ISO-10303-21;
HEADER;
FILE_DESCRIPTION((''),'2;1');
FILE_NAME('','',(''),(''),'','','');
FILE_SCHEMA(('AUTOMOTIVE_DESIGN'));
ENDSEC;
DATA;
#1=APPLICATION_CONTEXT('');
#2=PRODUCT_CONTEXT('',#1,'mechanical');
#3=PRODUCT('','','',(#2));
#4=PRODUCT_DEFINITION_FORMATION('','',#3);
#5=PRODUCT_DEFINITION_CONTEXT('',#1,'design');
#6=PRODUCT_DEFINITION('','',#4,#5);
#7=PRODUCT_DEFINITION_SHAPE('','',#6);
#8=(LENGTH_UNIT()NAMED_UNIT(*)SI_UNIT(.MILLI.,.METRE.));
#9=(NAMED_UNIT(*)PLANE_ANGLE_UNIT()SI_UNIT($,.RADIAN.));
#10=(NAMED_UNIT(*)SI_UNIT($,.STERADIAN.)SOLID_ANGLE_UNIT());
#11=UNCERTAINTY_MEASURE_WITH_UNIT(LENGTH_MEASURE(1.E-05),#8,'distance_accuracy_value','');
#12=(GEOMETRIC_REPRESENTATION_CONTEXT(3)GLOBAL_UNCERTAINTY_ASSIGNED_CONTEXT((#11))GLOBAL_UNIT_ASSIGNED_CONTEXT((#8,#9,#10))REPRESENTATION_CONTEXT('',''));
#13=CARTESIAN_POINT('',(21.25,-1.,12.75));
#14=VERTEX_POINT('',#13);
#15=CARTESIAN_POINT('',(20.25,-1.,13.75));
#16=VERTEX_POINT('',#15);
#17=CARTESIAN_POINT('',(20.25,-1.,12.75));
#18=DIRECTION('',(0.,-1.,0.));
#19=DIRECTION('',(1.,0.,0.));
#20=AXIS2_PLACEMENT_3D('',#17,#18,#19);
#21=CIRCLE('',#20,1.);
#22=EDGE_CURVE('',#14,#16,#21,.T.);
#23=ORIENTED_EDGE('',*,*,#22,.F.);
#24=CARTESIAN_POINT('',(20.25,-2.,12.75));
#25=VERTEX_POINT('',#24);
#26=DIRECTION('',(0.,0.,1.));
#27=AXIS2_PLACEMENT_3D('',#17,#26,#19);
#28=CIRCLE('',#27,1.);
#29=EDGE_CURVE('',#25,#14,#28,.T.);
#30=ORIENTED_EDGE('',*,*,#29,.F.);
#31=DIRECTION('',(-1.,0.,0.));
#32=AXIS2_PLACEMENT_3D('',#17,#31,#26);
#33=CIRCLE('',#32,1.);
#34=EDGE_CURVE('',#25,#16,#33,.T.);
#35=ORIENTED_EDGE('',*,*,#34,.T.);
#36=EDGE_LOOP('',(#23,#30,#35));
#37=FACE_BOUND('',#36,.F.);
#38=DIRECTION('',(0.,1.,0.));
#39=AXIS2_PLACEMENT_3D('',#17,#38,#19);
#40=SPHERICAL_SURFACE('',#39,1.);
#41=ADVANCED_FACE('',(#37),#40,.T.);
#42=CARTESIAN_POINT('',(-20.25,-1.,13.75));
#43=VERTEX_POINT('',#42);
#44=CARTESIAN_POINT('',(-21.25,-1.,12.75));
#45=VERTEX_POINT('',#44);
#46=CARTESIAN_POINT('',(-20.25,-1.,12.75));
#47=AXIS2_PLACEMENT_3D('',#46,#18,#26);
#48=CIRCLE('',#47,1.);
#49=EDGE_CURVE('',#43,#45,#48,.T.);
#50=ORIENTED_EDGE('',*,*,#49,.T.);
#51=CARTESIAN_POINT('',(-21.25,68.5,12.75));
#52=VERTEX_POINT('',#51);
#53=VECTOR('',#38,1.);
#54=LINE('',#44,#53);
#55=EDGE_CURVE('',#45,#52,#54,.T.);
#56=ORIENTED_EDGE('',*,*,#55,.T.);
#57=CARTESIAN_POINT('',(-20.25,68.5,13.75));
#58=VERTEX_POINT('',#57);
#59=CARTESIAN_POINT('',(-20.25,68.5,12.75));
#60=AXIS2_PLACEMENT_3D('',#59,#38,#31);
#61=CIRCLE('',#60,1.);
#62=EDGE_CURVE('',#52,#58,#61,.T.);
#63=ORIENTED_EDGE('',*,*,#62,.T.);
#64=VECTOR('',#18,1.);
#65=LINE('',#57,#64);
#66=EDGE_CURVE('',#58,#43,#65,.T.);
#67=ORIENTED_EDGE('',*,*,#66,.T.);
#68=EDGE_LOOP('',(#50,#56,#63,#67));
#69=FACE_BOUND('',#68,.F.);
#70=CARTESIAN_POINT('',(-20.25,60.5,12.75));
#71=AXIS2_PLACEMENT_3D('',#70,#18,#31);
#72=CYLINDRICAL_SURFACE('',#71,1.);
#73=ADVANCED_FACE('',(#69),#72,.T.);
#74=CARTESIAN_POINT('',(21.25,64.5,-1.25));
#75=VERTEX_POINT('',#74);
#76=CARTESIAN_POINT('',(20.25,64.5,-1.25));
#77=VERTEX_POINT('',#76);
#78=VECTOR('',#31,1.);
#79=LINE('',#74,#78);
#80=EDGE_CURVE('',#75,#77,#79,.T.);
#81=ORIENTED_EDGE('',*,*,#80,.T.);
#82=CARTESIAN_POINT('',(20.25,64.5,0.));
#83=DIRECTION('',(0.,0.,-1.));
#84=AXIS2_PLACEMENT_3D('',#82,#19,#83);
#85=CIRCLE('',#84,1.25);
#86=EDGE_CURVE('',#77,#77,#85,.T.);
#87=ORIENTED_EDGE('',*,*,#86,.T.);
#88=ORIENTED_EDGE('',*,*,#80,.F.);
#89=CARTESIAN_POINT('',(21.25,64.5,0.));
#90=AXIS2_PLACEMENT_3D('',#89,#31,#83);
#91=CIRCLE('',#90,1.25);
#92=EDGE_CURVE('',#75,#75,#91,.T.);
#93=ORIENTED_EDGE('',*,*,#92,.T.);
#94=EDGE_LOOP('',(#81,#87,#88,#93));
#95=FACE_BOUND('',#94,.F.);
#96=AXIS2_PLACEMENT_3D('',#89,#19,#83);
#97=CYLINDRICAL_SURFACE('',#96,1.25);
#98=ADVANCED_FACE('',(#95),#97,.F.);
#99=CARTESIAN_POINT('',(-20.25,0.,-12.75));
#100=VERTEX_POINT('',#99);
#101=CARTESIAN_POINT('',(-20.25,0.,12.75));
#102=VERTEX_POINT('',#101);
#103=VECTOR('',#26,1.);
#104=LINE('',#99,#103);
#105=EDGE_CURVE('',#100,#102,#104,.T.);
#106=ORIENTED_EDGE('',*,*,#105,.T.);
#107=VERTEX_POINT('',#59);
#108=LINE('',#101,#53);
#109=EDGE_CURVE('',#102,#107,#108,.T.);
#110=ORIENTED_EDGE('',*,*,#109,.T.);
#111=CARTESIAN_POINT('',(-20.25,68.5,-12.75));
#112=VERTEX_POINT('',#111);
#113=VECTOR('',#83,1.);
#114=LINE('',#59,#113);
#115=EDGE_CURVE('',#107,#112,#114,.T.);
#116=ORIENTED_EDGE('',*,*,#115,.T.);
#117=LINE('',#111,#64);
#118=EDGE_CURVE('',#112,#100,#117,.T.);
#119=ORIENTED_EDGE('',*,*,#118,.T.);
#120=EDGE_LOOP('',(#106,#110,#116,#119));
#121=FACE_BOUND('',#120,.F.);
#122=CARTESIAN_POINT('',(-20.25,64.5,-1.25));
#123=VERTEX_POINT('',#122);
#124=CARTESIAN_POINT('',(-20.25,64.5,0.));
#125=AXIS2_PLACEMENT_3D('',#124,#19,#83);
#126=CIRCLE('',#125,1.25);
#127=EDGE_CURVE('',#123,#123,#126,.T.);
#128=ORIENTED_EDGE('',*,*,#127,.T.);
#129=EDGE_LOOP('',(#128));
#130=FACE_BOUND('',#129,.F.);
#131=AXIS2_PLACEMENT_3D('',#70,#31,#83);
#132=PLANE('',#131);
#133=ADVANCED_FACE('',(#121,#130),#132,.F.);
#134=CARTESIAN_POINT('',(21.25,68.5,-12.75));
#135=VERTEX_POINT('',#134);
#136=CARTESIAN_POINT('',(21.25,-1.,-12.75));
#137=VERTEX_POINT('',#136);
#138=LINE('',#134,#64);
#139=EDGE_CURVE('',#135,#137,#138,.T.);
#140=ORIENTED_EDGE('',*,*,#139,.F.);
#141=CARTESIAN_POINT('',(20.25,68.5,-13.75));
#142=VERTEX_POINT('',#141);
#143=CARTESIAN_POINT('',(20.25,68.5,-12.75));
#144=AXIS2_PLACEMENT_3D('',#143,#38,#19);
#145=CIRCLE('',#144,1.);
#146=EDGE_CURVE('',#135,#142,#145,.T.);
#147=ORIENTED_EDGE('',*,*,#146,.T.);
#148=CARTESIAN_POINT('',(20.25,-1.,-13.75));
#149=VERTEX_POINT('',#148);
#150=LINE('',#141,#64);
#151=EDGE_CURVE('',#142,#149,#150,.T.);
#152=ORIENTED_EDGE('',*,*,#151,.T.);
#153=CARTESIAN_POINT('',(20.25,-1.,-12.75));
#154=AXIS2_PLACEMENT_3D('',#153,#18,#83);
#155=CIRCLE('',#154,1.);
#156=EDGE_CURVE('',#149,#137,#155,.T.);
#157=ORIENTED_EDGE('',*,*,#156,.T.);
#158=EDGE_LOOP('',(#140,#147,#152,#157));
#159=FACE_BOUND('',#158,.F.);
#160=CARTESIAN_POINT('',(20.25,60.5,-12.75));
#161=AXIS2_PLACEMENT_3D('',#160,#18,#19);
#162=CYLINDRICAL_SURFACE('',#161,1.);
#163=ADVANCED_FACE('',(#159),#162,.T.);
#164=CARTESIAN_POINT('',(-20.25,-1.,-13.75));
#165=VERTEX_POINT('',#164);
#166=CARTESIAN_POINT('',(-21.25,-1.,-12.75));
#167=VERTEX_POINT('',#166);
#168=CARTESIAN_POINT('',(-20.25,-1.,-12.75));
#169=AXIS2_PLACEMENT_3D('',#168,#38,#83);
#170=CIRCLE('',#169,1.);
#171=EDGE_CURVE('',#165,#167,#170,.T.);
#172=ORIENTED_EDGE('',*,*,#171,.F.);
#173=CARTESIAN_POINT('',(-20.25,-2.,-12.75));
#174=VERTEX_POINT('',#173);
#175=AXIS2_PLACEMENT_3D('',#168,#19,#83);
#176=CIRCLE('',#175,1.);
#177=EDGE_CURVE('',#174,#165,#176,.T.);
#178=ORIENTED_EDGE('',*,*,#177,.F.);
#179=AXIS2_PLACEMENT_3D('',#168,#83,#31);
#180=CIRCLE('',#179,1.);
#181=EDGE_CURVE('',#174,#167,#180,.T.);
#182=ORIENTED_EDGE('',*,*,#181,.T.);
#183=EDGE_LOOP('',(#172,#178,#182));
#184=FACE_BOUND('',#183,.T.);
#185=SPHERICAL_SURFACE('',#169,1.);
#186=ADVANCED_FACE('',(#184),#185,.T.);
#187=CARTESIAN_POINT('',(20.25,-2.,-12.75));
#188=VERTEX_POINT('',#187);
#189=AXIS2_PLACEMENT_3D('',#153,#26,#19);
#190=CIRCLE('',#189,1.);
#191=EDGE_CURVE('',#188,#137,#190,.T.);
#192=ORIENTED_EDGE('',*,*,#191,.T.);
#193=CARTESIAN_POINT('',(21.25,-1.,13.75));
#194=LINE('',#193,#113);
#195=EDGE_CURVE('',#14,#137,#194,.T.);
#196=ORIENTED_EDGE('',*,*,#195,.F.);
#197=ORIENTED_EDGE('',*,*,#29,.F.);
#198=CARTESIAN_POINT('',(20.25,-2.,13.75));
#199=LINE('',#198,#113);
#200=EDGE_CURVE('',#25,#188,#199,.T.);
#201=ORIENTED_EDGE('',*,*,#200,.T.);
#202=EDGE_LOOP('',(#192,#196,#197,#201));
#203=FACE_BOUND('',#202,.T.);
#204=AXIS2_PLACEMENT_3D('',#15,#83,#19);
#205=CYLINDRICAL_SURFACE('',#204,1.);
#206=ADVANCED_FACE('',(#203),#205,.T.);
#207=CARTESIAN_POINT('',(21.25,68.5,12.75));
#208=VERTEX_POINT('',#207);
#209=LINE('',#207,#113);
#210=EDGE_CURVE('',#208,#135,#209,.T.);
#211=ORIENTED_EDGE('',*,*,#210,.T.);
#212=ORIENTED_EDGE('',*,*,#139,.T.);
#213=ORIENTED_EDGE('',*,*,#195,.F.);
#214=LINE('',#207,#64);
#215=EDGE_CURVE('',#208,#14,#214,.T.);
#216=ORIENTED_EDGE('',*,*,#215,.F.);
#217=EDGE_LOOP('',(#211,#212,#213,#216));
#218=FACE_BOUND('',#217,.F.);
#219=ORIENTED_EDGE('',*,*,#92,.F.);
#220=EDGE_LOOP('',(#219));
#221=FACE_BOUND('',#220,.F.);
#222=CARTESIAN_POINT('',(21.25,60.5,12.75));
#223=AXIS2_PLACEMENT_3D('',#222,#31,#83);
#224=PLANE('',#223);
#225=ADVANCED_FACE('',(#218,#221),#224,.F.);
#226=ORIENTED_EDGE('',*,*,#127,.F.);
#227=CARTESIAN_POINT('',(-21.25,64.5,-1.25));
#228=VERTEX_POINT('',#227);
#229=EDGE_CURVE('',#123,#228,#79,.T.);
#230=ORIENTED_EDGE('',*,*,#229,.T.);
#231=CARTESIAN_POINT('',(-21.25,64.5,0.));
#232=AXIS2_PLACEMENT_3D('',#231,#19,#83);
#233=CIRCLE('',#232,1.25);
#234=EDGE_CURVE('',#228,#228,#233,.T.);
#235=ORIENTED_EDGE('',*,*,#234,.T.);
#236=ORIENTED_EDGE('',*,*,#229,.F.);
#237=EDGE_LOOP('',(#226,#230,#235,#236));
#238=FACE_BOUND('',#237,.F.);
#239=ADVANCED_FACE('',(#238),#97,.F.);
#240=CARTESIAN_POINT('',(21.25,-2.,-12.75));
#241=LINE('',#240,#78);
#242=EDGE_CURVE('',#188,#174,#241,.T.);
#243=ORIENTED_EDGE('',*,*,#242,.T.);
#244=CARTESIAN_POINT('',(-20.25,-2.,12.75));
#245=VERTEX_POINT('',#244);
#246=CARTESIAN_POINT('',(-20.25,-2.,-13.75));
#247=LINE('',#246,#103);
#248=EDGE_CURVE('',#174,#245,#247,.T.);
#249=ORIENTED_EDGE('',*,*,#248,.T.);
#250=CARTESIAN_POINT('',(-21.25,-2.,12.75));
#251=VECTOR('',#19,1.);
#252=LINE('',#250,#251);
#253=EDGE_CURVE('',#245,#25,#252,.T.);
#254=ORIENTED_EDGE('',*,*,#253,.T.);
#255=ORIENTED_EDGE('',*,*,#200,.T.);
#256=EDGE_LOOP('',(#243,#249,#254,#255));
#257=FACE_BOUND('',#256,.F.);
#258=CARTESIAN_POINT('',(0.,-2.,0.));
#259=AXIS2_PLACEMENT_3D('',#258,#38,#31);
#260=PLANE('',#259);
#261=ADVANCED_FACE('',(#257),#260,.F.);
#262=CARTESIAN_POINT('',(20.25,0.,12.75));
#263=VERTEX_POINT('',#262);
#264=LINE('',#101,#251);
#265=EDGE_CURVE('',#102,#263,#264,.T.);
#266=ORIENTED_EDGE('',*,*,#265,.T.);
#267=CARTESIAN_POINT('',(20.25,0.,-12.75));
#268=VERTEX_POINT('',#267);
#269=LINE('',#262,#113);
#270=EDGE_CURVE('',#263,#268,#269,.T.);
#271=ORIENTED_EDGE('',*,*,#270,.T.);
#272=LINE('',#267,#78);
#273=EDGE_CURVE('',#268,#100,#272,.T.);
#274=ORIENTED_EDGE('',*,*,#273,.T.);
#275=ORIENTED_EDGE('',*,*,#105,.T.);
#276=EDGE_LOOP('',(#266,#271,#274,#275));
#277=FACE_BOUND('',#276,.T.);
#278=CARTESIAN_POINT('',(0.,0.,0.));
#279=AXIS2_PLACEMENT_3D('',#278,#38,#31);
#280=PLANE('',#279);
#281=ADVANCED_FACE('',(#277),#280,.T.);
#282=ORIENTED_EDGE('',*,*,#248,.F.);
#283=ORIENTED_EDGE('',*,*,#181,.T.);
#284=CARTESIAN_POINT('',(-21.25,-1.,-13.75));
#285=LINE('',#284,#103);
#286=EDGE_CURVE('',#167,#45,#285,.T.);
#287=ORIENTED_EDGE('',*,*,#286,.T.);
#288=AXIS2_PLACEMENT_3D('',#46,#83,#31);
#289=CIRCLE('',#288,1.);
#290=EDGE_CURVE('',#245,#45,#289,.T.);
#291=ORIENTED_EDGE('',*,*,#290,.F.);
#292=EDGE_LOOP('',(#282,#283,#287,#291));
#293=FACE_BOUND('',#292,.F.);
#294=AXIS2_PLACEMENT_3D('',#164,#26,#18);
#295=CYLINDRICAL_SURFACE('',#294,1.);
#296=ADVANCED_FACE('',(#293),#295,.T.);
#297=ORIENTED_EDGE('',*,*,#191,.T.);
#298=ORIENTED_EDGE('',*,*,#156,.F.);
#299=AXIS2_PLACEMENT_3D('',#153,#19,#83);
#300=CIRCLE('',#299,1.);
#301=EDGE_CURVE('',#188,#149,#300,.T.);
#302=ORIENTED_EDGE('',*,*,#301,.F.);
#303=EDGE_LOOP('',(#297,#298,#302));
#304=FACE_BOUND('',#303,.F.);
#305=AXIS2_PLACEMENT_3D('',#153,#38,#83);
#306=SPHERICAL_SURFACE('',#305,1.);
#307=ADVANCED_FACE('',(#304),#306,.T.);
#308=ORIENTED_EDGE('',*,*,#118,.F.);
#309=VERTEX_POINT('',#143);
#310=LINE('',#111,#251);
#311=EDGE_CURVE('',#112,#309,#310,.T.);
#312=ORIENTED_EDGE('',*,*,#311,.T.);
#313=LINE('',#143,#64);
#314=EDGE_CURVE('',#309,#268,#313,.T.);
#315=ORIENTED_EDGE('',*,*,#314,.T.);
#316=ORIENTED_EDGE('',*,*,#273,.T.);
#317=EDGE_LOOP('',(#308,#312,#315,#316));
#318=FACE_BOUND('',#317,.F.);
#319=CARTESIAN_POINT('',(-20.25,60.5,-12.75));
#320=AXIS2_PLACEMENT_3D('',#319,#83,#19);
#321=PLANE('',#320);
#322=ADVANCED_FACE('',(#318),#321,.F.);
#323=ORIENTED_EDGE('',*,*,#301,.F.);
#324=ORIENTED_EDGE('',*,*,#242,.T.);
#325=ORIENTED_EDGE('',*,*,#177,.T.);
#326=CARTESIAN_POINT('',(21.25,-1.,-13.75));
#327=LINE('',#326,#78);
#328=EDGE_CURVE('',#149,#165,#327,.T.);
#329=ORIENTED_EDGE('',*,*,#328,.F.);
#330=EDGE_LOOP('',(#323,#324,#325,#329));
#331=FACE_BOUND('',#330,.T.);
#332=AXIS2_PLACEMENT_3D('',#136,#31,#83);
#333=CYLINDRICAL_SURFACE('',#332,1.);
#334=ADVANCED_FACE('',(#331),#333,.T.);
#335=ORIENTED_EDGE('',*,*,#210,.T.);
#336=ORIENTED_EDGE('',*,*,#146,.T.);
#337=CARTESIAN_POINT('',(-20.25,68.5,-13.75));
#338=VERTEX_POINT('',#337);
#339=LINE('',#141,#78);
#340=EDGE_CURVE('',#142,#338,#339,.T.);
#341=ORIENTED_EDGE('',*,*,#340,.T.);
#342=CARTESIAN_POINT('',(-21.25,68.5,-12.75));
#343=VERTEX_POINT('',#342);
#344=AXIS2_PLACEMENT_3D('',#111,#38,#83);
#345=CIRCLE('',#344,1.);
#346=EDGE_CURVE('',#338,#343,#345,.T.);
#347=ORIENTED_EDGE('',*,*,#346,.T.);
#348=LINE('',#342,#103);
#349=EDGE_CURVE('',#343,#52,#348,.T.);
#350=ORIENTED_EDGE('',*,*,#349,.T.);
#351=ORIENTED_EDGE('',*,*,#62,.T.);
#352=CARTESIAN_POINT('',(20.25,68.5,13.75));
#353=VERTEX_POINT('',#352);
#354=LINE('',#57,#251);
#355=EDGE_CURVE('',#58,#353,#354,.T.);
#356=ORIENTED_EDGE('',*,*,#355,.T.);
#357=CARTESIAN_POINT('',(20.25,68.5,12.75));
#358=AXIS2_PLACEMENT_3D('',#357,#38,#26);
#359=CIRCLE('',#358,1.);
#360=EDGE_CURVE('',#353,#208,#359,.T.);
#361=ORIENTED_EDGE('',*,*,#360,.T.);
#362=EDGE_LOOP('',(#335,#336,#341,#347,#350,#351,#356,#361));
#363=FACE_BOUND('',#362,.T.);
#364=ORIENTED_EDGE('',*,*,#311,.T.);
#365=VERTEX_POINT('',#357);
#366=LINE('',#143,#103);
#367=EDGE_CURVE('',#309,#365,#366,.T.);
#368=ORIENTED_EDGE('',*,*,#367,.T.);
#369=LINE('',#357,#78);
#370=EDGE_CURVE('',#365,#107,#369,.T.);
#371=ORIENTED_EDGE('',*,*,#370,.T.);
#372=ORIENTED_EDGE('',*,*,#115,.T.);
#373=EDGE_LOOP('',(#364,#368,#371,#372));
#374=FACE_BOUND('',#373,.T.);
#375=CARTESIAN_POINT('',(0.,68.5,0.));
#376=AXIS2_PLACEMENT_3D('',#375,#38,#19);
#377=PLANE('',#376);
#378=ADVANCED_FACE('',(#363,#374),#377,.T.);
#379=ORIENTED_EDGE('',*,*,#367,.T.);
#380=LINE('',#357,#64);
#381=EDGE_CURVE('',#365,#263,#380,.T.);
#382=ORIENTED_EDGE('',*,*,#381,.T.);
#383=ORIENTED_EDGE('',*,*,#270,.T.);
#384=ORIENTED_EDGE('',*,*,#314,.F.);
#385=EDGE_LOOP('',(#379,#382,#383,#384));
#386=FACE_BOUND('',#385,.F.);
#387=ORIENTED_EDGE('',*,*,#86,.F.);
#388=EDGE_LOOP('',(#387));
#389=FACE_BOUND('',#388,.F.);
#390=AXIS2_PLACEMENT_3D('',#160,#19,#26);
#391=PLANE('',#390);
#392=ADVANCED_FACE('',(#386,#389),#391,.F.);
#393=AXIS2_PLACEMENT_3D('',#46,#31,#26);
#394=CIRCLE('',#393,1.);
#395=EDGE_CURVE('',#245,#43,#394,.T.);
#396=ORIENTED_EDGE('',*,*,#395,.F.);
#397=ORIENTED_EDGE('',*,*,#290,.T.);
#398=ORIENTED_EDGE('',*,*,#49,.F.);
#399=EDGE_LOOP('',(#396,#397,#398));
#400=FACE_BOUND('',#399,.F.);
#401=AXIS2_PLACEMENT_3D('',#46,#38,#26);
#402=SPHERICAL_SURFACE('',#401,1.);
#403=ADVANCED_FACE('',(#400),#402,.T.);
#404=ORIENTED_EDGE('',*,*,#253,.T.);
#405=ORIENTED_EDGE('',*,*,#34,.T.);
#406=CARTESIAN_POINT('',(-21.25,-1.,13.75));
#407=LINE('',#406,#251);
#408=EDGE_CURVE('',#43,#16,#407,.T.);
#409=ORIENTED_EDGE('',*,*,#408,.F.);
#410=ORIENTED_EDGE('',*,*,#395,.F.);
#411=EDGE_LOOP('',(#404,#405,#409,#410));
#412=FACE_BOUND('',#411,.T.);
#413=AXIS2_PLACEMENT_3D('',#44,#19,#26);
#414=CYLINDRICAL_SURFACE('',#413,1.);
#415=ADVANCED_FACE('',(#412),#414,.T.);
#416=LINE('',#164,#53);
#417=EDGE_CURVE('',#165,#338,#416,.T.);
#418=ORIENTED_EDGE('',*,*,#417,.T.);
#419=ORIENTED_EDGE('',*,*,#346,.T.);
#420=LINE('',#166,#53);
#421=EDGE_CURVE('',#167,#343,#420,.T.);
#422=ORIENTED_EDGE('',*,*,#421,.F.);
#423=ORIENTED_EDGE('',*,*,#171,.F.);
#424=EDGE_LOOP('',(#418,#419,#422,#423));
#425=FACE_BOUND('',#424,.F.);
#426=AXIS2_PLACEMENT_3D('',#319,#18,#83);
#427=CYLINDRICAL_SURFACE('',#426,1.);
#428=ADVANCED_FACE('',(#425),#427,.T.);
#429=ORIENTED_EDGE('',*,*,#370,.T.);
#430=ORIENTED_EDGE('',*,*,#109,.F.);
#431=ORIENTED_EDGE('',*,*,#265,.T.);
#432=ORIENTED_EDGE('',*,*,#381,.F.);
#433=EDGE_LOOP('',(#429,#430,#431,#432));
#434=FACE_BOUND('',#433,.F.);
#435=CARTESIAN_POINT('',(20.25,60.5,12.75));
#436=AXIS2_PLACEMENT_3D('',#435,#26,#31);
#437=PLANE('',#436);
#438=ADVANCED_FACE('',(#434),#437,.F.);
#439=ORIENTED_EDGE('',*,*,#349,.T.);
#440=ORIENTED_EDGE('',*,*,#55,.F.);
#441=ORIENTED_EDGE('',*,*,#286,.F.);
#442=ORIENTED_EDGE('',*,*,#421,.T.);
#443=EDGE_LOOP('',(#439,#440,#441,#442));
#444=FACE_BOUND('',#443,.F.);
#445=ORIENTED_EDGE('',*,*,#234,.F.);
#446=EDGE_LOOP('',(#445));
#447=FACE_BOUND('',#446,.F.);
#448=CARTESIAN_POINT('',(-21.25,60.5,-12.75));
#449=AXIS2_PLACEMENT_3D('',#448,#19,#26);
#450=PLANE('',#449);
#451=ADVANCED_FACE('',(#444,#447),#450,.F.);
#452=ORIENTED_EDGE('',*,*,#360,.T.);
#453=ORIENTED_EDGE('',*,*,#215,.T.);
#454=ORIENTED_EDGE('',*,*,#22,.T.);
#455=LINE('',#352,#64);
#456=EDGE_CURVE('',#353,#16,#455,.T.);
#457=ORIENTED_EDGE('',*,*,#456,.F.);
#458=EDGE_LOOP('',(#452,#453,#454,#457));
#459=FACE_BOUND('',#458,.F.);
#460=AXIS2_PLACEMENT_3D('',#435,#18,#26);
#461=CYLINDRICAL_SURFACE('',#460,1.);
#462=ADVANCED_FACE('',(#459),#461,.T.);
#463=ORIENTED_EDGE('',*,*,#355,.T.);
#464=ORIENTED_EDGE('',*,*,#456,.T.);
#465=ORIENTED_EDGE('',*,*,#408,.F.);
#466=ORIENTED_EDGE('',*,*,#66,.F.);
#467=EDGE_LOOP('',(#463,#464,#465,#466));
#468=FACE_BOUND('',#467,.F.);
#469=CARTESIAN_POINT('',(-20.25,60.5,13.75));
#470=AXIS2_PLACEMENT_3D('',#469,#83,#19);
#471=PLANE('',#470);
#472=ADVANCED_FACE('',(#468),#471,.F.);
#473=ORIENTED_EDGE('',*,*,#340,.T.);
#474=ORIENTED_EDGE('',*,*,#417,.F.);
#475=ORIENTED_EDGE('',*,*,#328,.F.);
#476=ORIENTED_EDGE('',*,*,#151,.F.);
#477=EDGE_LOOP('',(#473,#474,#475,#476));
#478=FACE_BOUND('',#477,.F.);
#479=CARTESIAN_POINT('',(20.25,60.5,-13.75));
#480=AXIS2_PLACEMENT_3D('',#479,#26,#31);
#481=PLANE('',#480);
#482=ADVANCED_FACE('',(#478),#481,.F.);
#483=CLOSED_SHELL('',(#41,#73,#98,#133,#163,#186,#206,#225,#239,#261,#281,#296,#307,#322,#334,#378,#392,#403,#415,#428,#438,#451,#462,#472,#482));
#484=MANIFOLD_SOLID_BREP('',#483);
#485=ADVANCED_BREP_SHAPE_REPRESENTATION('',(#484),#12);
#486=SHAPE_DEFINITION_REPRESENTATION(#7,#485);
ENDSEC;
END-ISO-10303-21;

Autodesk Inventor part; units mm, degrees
ref_plane "YZ Plane" through (0, 0, 0) normal (1, 0, 0) x (0, 1, 0)
ref_plane "XZ Plane" through (0, 0, 0) normal (0, 1, 0) x (-1, 0, 0)
ref_plane "XY Plane" through (0, 0, 0) normal (0, 0, 1) x (1, 0, 0)
sketch "Sketch2" plane through (0, 0, 0) normal (0, 1, 0) x (-1, 0, 0)
  line L0 (-21.25, -13.75) -> (21.25, -13.75)
  line L1 (21.25, -13.75) -> (21.25, 13.75)
  line L2 (21.25, 13.75) -> (-21.25, 13.75)
  line L3 (-21.25, 13.75) -> (-21.25, -13.75)
  line L4 (-21.25, -13.75) -> (21.25, 13.75) construction
  line L5 (21.25, -13.75) -> (-21.25, 13.75) construction
  point P0 (0, 0)
  dimension "d2" = 42.5
  dimension "d3" = 27.5
extrude "Extrusion1" add sketch "Sketch2" against normal blind 2
sketch "Sketch3" plane through (0, 0, 0) normal (0, 1, 0) x (1, 0, 0)
  line L0 (21.25, -13.75) -> (-21.25, -13.75) projected
  line L1 (-21.25, 13.75) -> (21.25, 13.75) projected
  line L2 (-21.25, -13.75) -> (21.25, -13.75)
  line L3 (21.25, -13.75) -> (21.25, 13.75)
  line L4 (21.25, 13.75) -> (-21.25, 13.75)
  line L5 (-21.25, 13.75) -> (-21.25, -13.75)
  line L6 (-20.25, -12.75) -> (20.25, -12.75) projected
  line L7 (-20.25, 12.75) -> (-20.25, -12.75) projected
  line L8 (20.25, 12.75) -> (-20.25, 12.75) projected
  line L9 (20.25, -12.75) -> (20.25, 12.75) projected
  line L10 (-20.25, -12.75) -> (20.25, -12.75)
  line L11 (20.25, -12.75) -> (20.25, 12.75)
  line L12 (20.25, 12.75) -> (-20.25, 12.75)
  line L13 (-20.25, 12.75) -> (-20.25, -12.75)
  point P0 (0, 0)
extrude "Extrusion2" add sketch "Sketch3" along normal blind 60.5
fillet "Fillet1" radius 1 8 edges at (21.25, 29.25, 13.75) (21.25, 29.25, -13.75) (-21.25, 29.25, 13.75) (-21.25, 29.25, -13.75) (0, -2, -13.75) (21.25, -2, 0) (0, -2, 13.75) (-21.25, -2, 0)
sketch "Sketch4" plane through (0, 60.5, 0) normal (0, 1, 0) x (1, 0, 0)
  arc A0 (-20.25, 13.75) -> (-21.25, 12.75) centre (-20.25, 12.75) ccw projected
  line L0 (-21.25, 12.75) -> (-21.25, -12.75) projected
  arc A1 (-21.25, -12.75) -> (-20.25, -13.75) centre (-20.25, -12.75) ccw projected
  line L1 (-20.25, -13.75) -> (20.25, -13.75) projected
  arc A2 (20.25, -13.75) -> (21.25, -12.75) centre (20.25, -12.75) ccw projected
  line L2 (21.25, -12.75) -> (21.25, 12.75) projected
  arc A3 (21.25, 12.75) -> (20.25, 13.75) centre (20.25, 12.75) ccw projected
  line L3 (20.25, 13.75) -> (-20.25, 13.75) projected
  line L4 (-20.25, -12.75) -> (-20.25, 12.75) projected
  line L5 (-20.25, 12.75) -> (20.25, 12.75) projected
  line L6 (20.25, 12.75) -> (20.25, -12.75) projected
  line L7 (20.25, -12.75) -> (-20.25, -12.75) projected
  point P0 (0, 0)
extrude "Extrusion3" add sketch "Sketch4" along normal blind 8
sketch "Sketch5" plane through (21.25, -1, 12.75) normal (1, 0, 0) x (0, 0, -1)
  line L0 (26.5, 69.5) -> (25.5, 69.5) projected
  line L1 (-1, 69.5) -> (26.5, 69.5)
  line L2 (25.5, 69.5) -> (0, 69.5) projected
  line L3 (12.75, 69.5) -> (12.75, 61.5)
  circle A0 centre (12.75, 65.5) radius 1.25
  point P0 (12.75, 1)
  dimension "d11" = 8
  dimension "d12" = 2.5
extrude "Extrusion4" cut sketch "Sketch5" against normal through all
properties part number "Case"
